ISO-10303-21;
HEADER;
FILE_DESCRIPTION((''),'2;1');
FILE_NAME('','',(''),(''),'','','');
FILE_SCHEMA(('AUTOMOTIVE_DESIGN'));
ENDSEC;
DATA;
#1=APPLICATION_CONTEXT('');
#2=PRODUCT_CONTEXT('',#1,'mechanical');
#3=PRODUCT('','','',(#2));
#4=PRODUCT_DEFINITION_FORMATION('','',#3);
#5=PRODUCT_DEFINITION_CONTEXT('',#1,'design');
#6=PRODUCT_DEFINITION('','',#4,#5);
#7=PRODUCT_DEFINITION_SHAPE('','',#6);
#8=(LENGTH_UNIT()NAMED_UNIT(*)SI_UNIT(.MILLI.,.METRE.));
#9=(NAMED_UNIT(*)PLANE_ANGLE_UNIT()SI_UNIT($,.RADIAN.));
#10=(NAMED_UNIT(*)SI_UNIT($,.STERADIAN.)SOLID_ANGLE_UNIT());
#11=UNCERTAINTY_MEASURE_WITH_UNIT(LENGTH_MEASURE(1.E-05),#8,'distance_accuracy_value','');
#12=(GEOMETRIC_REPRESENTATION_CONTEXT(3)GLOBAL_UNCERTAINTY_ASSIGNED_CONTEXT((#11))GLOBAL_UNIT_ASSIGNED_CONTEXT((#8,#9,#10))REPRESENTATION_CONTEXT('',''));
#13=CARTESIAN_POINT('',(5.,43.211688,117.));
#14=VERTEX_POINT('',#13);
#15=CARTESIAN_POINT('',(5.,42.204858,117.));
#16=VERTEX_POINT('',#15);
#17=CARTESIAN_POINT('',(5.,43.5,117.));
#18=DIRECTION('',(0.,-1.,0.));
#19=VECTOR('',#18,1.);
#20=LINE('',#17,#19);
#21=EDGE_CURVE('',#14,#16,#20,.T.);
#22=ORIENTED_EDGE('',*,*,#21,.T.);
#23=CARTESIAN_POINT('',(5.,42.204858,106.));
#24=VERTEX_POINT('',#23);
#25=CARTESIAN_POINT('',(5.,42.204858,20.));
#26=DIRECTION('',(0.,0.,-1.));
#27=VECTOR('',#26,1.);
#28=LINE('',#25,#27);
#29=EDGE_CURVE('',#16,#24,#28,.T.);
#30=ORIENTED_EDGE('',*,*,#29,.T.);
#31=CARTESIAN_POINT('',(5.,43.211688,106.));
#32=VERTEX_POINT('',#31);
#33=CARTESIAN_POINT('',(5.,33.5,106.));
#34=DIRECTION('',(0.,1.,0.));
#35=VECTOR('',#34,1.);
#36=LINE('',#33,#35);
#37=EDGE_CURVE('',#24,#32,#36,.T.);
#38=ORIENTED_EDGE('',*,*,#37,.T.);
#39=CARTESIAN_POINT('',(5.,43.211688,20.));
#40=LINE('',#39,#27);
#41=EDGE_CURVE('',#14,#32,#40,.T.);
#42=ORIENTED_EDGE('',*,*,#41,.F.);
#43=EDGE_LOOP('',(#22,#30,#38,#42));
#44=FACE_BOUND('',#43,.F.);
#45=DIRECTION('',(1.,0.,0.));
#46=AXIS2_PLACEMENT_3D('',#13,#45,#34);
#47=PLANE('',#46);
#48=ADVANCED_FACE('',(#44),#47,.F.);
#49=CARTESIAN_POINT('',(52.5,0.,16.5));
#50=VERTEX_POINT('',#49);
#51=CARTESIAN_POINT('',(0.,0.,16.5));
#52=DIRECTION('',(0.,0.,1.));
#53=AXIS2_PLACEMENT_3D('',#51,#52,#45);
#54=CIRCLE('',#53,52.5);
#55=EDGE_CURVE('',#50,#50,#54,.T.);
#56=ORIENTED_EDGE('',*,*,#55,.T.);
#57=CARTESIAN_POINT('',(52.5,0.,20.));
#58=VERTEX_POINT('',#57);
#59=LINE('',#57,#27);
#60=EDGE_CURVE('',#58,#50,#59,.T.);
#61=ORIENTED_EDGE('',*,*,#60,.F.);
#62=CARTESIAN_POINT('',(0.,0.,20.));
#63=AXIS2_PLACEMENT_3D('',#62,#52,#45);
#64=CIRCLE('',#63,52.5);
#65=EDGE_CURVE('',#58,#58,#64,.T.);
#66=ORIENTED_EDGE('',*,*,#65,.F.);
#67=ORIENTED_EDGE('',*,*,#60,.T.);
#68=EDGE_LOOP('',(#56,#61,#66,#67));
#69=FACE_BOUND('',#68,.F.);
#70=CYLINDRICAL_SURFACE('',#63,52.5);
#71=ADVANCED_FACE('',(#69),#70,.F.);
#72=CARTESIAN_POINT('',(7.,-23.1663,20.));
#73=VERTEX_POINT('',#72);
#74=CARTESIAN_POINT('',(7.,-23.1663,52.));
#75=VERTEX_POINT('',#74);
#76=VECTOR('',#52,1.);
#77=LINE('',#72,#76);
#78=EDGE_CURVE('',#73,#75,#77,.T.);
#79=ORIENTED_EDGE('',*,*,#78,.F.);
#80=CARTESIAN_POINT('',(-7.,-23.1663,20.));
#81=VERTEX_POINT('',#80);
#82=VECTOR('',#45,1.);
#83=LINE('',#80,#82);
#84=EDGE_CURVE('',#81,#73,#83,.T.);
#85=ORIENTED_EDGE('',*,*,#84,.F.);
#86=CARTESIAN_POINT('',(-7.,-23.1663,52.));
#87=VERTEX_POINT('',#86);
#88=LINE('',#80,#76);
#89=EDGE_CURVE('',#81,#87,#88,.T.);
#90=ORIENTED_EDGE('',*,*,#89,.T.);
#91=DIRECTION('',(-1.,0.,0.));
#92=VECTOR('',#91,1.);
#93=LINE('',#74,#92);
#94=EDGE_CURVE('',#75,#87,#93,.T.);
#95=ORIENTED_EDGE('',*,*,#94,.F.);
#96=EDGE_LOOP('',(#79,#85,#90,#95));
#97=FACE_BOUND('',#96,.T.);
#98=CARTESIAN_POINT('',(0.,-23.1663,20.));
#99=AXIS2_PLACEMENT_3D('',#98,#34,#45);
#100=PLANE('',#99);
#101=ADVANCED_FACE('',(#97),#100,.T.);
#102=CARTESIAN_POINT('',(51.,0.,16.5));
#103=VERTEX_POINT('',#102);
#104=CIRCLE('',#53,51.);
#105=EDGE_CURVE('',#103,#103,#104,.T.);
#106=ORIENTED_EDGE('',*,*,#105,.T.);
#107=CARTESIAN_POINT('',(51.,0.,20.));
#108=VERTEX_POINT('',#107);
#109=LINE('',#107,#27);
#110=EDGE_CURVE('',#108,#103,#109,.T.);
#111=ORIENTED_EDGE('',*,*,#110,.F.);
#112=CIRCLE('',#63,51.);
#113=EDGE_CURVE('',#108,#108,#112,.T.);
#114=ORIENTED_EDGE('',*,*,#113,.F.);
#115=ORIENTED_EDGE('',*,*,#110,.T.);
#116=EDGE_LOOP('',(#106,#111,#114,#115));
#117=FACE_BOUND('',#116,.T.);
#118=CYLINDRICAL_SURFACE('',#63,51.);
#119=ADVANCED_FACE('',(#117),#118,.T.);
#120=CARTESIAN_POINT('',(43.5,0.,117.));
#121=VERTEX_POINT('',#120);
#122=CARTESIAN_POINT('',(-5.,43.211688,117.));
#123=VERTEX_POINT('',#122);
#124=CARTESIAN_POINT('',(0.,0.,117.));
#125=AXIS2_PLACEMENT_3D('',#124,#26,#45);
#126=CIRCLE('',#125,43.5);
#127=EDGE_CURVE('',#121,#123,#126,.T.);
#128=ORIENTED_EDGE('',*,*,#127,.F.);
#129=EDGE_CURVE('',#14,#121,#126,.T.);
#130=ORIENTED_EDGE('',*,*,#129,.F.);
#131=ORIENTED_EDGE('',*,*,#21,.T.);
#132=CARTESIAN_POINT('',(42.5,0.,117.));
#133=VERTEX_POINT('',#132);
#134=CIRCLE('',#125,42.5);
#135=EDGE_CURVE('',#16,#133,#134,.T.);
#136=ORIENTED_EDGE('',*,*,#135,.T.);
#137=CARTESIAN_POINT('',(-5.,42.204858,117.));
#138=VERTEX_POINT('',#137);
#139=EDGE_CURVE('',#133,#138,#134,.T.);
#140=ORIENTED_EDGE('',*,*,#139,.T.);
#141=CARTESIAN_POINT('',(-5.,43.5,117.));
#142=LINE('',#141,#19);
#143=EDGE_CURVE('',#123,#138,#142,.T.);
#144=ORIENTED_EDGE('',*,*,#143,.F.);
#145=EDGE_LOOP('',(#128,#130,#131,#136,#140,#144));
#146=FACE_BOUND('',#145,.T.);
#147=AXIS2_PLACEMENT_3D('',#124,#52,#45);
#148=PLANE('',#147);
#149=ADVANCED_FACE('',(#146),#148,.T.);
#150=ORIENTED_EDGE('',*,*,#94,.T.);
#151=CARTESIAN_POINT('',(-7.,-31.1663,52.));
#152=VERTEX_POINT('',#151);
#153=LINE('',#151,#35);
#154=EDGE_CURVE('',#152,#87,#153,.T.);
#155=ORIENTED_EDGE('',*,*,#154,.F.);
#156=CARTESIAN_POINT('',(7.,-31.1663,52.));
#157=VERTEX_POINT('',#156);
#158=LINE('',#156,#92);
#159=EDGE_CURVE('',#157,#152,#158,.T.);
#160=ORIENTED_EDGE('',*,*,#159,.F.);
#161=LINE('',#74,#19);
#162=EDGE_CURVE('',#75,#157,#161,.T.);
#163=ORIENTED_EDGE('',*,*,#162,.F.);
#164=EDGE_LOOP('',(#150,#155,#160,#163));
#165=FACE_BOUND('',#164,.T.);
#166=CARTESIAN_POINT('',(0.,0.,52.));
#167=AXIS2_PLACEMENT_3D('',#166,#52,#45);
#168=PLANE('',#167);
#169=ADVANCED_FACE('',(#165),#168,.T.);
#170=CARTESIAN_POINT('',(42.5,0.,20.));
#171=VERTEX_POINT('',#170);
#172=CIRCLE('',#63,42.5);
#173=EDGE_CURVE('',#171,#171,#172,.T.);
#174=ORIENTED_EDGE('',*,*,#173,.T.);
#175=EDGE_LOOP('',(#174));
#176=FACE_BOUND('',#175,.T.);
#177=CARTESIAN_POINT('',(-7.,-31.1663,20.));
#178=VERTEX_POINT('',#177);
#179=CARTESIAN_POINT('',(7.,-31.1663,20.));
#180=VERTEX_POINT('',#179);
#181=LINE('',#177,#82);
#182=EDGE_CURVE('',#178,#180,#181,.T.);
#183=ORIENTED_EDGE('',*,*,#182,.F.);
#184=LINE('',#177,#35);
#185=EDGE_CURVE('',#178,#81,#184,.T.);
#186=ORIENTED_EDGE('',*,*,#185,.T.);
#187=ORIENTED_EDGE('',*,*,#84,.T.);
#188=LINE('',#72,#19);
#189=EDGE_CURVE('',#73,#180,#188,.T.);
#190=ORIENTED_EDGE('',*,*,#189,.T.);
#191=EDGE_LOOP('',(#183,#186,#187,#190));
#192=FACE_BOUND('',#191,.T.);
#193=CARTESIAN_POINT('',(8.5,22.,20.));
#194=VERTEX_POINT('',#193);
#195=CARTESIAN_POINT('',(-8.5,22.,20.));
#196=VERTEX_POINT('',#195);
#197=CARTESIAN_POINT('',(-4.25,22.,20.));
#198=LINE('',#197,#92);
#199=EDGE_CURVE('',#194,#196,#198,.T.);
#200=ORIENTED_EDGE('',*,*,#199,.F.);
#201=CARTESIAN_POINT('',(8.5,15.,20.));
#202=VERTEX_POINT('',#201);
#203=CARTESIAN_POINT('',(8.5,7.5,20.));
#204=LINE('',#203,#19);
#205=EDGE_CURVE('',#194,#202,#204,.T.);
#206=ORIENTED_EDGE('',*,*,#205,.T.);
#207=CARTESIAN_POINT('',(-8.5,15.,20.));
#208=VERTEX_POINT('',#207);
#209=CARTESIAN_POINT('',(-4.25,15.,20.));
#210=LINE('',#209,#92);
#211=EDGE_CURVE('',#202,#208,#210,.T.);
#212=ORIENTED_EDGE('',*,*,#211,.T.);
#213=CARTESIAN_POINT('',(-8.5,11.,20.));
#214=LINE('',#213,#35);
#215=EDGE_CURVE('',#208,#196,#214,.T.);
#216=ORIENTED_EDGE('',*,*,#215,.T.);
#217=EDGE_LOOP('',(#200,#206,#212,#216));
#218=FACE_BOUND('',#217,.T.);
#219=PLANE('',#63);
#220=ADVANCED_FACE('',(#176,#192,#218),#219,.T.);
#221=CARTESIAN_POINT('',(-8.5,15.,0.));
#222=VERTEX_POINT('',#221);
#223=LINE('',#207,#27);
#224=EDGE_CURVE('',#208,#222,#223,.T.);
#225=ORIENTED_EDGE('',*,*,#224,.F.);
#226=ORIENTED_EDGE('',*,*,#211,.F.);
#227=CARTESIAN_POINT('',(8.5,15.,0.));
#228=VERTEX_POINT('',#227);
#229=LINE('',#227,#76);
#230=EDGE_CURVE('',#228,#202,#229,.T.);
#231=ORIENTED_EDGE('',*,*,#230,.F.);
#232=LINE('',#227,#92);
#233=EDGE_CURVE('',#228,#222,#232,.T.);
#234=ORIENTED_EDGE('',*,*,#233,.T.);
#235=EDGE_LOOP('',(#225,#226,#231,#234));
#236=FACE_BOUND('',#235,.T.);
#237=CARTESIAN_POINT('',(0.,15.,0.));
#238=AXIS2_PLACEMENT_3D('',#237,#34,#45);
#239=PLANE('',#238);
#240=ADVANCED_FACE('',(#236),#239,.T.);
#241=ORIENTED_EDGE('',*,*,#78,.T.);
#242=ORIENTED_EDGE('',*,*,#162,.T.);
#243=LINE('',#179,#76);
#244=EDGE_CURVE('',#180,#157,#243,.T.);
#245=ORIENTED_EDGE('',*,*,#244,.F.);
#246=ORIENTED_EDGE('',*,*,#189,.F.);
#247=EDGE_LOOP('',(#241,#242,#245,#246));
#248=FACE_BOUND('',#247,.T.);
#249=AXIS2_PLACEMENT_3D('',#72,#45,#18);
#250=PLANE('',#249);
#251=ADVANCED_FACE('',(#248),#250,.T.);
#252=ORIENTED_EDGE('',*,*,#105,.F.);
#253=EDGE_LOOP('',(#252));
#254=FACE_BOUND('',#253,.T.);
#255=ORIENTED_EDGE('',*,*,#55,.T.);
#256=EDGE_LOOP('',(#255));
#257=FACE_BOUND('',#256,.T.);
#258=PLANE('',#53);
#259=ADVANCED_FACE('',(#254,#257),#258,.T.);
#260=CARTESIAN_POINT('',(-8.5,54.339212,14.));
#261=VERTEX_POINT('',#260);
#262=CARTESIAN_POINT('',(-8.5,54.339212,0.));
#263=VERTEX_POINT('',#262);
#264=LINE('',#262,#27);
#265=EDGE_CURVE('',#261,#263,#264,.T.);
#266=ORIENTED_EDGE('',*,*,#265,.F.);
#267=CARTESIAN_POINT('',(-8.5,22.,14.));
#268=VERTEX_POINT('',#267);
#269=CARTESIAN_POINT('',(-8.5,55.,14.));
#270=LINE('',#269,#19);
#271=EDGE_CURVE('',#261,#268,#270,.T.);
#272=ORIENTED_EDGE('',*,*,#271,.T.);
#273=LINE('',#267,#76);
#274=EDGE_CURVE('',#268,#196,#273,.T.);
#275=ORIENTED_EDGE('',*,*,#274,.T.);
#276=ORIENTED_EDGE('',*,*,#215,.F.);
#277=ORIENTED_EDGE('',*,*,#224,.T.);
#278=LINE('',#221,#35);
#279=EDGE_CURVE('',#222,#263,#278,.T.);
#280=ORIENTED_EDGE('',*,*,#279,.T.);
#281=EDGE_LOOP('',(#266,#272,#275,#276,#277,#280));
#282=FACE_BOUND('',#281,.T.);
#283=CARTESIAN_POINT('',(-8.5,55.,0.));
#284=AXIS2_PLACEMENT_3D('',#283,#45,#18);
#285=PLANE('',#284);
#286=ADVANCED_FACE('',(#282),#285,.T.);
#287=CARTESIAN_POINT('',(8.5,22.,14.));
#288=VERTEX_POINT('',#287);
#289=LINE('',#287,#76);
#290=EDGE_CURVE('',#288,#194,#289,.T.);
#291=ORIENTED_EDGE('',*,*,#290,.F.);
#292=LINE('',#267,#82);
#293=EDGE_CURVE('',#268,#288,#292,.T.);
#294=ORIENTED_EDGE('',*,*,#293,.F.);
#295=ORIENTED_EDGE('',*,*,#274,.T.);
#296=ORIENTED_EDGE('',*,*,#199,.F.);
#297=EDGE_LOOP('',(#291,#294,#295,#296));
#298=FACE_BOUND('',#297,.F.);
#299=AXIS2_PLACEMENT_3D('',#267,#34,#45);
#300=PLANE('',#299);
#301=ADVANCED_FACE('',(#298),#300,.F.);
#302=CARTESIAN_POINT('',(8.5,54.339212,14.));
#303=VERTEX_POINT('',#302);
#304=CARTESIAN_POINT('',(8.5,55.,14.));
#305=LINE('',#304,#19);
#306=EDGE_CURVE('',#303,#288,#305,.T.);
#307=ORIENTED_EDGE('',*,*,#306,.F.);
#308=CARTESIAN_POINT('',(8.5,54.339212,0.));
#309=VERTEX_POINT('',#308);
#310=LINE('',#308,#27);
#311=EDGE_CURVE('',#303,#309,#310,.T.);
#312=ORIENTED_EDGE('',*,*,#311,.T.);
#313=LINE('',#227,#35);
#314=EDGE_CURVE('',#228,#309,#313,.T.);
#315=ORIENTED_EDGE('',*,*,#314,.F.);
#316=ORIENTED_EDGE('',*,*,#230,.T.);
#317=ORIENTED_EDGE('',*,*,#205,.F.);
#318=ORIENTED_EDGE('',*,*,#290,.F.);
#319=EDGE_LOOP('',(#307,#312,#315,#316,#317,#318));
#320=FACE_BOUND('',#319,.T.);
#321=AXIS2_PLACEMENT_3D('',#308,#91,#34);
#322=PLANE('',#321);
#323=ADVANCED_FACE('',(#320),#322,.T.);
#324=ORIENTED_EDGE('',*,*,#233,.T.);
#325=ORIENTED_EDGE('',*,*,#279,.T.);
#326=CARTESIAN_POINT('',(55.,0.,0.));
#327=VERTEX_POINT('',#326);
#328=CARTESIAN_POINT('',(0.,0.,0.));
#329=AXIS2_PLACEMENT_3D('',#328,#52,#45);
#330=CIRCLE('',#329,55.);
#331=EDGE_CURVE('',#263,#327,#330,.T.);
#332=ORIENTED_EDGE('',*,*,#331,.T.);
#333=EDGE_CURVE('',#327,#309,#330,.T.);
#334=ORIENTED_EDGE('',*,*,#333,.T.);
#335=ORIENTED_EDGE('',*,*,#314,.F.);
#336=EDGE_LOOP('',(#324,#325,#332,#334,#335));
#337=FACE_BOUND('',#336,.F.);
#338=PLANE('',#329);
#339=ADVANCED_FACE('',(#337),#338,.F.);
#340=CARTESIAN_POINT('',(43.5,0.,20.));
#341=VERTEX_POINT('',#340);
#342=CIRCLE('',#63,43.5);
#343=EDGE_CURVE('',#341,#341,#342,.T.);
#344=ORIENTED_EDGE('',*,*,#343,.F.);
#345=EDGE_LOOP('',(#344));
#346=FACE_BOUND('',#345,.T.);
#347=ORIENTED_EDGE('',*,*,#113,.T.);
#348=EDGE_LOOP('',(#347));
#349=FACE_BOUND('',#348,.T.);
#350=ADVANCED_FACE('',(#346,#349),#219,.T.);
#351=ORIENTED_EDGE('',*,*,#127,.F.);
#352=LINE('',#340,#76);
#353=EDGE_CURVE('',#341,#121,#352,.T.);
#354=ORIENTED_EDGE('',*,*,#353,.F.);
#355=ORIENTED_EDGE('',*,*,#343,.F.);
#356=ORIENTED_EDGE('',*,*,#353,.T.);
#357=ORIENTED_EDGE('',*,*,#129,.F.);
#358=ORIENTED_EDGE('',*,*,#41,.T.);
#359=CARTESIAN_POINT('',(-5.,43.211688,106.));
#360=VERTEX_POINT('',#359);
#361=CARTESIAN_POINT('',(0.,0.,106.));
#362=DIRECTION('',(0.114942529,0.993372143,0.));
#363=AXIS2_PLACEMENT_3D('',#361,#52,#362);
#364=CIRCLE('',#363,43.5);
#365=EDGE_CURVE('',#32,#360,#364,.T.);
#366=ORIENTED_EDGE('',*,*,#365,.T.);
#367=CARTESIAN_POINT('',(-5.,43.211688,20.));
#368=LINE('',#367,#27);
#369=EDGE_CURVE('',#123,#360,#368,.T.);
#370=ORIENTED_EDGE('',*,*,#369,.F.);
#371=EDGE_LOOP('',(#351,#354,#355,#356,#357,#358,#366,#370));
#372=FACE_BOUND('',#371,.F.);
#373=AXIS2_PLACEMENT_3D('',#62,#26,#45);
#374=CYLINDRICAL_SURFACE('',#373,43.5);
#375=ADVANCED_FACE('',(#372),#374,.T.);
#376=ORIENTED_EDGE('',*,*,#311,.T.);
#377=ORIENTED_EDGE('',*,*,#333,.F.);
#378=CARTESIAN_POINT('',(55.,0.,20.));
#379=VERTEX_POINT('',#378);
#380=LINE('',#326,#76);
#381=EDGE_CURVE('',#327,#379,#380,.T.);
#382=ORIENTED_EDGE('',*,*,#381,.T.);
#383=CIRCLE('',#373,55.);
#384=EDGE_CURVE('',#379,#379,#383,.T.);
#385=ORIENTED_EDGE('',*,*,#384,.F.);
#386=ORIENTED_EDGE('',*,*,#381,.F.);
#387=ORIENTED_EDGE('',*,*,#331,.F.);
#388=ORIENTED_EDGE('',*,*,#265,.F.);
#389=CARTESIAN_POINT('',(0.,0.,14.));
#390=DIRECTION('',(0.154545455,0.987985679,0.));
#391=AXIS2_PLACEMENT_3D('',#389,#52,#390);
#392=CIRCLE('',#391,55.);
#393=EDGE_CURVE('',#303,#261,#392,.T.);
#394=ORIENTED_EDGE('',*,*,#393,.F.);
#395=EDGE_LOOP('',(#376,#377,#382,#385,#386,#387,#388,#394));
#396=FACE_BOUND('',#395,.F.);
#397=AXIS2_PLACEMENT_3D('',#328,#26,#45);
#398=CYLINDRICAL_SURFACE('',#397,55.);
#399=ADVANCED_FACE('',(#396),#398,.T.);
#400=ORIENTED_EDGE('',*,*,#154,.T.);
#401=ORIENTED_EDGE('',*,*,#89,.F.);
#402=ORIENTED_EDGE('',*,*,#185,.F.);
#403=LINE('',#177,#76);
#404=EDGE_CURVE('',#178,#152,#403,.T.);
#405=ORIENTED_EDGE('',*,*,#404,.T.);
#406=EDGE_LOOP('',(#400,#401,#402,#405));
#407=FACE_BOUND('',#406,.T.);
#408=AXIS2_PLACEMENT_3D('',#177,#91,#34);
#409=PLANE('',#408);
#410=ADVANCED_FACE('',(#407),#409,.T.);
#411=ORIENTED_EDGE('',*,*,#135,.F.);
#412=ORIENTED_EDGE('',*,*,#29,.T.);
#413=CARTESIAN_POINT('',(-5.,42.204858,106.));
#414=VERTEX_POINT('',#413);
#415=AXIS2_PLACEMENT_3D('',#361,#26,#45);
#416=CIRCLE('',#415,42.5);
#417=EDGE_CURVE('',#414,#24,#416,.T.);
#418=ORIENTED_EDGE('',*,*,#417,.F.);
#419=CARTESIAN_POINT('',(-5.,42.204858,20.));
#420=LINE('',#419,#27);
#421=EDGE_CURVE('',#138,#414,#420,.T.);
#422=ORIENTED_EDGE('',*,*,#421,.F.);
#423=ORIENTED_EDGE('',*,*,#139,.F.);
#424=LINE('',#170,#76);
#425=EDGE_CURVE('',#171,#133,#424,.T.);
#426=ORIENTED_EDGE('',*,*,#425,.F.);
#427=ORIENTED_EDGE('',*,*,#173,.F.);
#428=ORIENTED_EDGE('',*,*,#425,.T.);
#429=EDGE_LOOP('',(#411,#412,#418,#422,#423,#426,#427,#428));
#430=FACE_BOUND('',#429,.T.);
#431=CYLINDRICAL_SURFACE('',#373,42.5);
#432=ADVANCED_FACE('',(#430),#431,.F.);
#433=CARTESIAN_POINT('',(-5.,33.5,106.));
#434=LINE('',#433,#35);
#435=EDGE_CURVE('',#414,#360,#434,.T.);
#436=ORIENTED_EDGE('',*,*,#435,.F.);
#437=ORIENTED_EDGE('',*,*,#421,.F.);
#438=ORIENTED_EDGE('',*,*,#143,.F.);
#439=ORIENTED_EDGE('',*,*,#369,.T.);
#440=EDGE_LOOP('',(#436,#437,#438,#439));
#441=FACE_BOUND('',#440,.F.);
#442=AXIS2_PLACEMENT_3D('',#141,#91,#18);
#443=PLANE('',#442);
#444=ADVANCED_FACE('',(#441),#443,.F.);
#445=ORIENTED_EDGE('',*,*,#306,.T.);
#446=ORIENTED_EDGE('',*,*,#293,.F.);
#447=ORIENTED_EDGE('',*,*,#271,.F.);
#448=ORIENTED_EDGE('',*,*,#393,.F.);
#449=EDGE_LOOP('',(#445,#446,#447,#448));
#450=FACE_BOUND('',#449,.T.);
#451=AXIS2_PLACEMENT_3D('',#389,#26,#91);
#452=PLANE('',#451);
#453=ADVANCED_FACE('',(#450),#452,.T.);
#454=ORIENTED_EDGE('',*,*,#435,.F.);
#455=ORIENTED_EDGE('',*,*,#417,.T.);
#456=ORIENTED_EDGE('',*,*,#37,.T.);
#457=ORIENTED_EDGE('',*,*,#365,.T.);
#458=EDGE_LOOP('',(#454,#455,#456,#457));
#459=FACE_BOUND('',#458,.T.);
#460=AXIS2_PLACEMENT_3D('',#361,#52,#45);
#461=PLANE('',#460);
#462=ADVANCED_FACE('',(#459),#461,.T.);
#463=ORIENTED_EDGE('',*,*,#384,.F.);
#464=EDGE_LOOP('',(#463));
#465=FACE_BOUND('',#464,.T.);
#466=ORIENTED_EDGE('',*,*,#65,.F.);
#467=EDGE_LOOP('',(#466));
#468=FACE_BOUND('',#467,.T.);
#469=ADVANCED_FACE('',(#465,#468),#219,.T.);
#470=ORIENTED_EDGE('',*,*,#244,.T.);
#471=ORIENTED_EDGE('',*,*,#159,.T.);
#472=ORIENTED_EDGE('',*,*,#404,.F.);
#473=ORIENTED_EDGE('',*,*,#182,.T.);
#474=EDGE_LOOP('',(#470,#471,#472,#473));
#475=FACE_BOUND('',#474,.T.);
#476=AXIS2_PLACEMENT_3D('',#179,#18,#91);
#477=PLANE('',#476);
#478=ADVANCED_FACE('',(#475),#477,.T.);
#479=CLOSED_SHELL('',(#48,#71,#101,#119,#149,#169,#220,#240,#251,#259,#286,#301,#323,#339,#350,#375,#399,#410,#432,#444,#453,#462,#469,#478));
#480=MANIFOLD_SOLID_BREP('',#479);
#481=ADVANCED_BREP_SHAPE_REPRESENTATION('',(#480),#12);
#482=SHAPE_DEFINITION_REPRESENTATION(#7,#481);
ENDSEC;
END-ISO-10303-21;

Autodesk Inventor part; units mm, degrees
ref_plane "YZ Plane" through (0, 0, 0) normal (1, 0, 0) x (0, 1, 0)
ref_plane "XZ Plane" through (0, 0, 0) normal (0, 1, 0) x (-1, 0, 0)
ref_plane "XY Plane" through (0, 0, 0) normal (0, 0, 1) x (1, 0, 0)
sketch "Náčrt1" plane through (0, 0, 0) normal (0, 0, 1) x (1, 0, 0)
  line L0 (0, 77) -> (0, -77) projected
  line L1 (-77, 0) -> (77, 0) projected
  circle A0 centre (0, 0) radius 55
  dimension "d0" = 110
extrude "Vysunutí1" add sketch "Náčrt1" along normal blind 20
sketch "Náčrt3" plane through (0, 0, 20) normal (0, 0, 1) x (1, 0, 0)
  circle A0 centre (0, 0) radius 52.5
  circle A1 centre (0, 0) radius 51
  dimension "d7" = 105
  dimension "d8" = 102
extrude "Vysunutí3" cut sketch "Náčrt3" against normal blind 3.5
sketch "Náčrt4" plane through (0, 0, 0) normal (0, 0, -1) x (-1, 0, 0)
  line L0 (-8.5, 55) -> (8.5, 55)
  line L1 (8.5, 55) -> (8.5, 15)
  line L2 (8.5, 15) -> (-8.5, 15)
  line L3 (-8.5, 15) -> (-8.5, 55)
  line L4 (0, -77) -> (0, 77) projected
  line L5 (-77, 0) -> (77, 0) projected
  circle A0 centre (0, 0) radius 55 projected
  point P0 (0, 55)
  dimension "d11" = 17
  dimension "d12" = 40
extrude "Vysunutí4" cut sketch "Náčrt4" against normal blind 14 contours L0 A0 L3 | A0 L1 L2 L4 | L0 L1 A0 | L4 L2 L3 A0
sketch "Náčrt5" plane through (0, 0, 14) normal (0, 0, -1) x (-1, 0, 0)
  arc A0 (8.5, 54.3392) -> (-8.5, 54.3392) centre (0, 0) ccw projected
  line L0 (-8.5, 15) -> (-8.5, 54.3392) projected
  line L1 (8.5, 15) -> (-8.5, 15) projected
  line L2 (8.5, 54.3392) -> (8.5, 15) projected
  line L3 (-8.5, 15) -> (8.5, 15)
  line L4 (8.5, 15) -> (8.5, 22)
  line L5 (8.5, 22) -> (-8.5, 22)
  line L6 (-8.5, 22) -> (-8.5, 15)
  point P0 (-8.5, 22)
  dimension "d15" = 7
extrude "Vysunutí5" cut sketch "Náčrt5" against normal through all contours L2 L1 L0 L5
sketch "Náčrt6" plane through (0, 0, 20) normal (0, 0, 1) x (1, 0, 0)
  circle A0 centre (0, 0) radius 43.5
  circle A1 centre (0, 0) radius 42.5
  line L0 (8.5, 15) -> (-8.5, 15) projected
  line L1 (-8.5, 15) -> (-8.5, 22) projected
  line L2 (-8.5, 22) -> (8.5, 22) projected
  line L3 (8.5, 22) -> (8.5, 15) projected
  circle A2 centre (0, 0) radius 51 projected
  line L4 (0, 77) -> (0, -77) projected
  dimension "d18" = 87
  dimension "d19" = 85
extrude "Vysunutí6" add sketch "Náčrt6" along normal blind 97 contours A0 L4 A1 | L4 A1 A0
sketch "Náčrt7" plane through (0, 0, 117) normal (0, 0, 1) x (1, 0, 0)
  line L0 (5, 43.5) -> (-5, 43.5)
  line L1 (-5, 43.5) -> (-5, 33.5)
  line L2 (-5, 33.5) -> (5, 33.5)
  line L3 (5, 33.5) -> (5, 43.5)
  circle A0 centre (0, 0) radius 43.5 projected
  line L4 (0, 77) -> (0, -77) projected
  point P0 (0, 43.5)
  dimension "d22" = 10
  dimension "d23" = 10
extrude "Vysunutí7" cut sketch "Náčrt7" against normal blind 11 contours L3 A0 L0 | A0 L1 L0 | L4 L2 L1 A0 | A0 L3 L2 L4 picked at (-2.7791, 36.7906) picked at (2.7791, 36.7906)
sketch "Náčrt8" plane through (0, 0, 20) normal (0, 0, 1) x (1, 0, 0)
  line L0 (7, -31.1663) -> (-7, -31.1663)
  line L1 (-7, -31.1663) -> (-7, -23.1663)
  line L2 (-7, -23.1663) -> (7, -23.1663)
  line L3 (7, -23.1663) -> (7, -31.1663)
  line L4 (0, 77) -> (0, -77) projected
  line L5 (-77, 0) -> (77, 0) projected
  line L6 (16.5, -39.1663) -> (-16.5, -39.1663)
  line L7 (-16.5, -39.1663) -> (-16.5, -31.1663)
  line L8 (-16.5, -31.1663) -> (16.5, -31.1663)
  line L9 (16.5, -31.1663) -> (16.5, -39.1663)
  arc A0 (-5, 42.2049) -> (5, 42.2049) centre (0, 0) ccw projected
  point P0 (0, -39.1663)
  point P1 (0, -31.1663)
  point P2 (0, -42.5)
  point P3 (-42.5, 0)
  point P4 (0, -23.1663)
  point P5 (42.5, 0)
  point P6 (7, -31.1663)
  dimension "d26" = 33
  dimension "d27" = 8
  dimension "d28" = 14
  dimension "d29" = 8
extrude "Vysunutí8" add sketch "Náčrt8" along normal blind 32 contours L0 L4 L2 L3 | L0 L1 L2 L4
properties part number "krabička"
